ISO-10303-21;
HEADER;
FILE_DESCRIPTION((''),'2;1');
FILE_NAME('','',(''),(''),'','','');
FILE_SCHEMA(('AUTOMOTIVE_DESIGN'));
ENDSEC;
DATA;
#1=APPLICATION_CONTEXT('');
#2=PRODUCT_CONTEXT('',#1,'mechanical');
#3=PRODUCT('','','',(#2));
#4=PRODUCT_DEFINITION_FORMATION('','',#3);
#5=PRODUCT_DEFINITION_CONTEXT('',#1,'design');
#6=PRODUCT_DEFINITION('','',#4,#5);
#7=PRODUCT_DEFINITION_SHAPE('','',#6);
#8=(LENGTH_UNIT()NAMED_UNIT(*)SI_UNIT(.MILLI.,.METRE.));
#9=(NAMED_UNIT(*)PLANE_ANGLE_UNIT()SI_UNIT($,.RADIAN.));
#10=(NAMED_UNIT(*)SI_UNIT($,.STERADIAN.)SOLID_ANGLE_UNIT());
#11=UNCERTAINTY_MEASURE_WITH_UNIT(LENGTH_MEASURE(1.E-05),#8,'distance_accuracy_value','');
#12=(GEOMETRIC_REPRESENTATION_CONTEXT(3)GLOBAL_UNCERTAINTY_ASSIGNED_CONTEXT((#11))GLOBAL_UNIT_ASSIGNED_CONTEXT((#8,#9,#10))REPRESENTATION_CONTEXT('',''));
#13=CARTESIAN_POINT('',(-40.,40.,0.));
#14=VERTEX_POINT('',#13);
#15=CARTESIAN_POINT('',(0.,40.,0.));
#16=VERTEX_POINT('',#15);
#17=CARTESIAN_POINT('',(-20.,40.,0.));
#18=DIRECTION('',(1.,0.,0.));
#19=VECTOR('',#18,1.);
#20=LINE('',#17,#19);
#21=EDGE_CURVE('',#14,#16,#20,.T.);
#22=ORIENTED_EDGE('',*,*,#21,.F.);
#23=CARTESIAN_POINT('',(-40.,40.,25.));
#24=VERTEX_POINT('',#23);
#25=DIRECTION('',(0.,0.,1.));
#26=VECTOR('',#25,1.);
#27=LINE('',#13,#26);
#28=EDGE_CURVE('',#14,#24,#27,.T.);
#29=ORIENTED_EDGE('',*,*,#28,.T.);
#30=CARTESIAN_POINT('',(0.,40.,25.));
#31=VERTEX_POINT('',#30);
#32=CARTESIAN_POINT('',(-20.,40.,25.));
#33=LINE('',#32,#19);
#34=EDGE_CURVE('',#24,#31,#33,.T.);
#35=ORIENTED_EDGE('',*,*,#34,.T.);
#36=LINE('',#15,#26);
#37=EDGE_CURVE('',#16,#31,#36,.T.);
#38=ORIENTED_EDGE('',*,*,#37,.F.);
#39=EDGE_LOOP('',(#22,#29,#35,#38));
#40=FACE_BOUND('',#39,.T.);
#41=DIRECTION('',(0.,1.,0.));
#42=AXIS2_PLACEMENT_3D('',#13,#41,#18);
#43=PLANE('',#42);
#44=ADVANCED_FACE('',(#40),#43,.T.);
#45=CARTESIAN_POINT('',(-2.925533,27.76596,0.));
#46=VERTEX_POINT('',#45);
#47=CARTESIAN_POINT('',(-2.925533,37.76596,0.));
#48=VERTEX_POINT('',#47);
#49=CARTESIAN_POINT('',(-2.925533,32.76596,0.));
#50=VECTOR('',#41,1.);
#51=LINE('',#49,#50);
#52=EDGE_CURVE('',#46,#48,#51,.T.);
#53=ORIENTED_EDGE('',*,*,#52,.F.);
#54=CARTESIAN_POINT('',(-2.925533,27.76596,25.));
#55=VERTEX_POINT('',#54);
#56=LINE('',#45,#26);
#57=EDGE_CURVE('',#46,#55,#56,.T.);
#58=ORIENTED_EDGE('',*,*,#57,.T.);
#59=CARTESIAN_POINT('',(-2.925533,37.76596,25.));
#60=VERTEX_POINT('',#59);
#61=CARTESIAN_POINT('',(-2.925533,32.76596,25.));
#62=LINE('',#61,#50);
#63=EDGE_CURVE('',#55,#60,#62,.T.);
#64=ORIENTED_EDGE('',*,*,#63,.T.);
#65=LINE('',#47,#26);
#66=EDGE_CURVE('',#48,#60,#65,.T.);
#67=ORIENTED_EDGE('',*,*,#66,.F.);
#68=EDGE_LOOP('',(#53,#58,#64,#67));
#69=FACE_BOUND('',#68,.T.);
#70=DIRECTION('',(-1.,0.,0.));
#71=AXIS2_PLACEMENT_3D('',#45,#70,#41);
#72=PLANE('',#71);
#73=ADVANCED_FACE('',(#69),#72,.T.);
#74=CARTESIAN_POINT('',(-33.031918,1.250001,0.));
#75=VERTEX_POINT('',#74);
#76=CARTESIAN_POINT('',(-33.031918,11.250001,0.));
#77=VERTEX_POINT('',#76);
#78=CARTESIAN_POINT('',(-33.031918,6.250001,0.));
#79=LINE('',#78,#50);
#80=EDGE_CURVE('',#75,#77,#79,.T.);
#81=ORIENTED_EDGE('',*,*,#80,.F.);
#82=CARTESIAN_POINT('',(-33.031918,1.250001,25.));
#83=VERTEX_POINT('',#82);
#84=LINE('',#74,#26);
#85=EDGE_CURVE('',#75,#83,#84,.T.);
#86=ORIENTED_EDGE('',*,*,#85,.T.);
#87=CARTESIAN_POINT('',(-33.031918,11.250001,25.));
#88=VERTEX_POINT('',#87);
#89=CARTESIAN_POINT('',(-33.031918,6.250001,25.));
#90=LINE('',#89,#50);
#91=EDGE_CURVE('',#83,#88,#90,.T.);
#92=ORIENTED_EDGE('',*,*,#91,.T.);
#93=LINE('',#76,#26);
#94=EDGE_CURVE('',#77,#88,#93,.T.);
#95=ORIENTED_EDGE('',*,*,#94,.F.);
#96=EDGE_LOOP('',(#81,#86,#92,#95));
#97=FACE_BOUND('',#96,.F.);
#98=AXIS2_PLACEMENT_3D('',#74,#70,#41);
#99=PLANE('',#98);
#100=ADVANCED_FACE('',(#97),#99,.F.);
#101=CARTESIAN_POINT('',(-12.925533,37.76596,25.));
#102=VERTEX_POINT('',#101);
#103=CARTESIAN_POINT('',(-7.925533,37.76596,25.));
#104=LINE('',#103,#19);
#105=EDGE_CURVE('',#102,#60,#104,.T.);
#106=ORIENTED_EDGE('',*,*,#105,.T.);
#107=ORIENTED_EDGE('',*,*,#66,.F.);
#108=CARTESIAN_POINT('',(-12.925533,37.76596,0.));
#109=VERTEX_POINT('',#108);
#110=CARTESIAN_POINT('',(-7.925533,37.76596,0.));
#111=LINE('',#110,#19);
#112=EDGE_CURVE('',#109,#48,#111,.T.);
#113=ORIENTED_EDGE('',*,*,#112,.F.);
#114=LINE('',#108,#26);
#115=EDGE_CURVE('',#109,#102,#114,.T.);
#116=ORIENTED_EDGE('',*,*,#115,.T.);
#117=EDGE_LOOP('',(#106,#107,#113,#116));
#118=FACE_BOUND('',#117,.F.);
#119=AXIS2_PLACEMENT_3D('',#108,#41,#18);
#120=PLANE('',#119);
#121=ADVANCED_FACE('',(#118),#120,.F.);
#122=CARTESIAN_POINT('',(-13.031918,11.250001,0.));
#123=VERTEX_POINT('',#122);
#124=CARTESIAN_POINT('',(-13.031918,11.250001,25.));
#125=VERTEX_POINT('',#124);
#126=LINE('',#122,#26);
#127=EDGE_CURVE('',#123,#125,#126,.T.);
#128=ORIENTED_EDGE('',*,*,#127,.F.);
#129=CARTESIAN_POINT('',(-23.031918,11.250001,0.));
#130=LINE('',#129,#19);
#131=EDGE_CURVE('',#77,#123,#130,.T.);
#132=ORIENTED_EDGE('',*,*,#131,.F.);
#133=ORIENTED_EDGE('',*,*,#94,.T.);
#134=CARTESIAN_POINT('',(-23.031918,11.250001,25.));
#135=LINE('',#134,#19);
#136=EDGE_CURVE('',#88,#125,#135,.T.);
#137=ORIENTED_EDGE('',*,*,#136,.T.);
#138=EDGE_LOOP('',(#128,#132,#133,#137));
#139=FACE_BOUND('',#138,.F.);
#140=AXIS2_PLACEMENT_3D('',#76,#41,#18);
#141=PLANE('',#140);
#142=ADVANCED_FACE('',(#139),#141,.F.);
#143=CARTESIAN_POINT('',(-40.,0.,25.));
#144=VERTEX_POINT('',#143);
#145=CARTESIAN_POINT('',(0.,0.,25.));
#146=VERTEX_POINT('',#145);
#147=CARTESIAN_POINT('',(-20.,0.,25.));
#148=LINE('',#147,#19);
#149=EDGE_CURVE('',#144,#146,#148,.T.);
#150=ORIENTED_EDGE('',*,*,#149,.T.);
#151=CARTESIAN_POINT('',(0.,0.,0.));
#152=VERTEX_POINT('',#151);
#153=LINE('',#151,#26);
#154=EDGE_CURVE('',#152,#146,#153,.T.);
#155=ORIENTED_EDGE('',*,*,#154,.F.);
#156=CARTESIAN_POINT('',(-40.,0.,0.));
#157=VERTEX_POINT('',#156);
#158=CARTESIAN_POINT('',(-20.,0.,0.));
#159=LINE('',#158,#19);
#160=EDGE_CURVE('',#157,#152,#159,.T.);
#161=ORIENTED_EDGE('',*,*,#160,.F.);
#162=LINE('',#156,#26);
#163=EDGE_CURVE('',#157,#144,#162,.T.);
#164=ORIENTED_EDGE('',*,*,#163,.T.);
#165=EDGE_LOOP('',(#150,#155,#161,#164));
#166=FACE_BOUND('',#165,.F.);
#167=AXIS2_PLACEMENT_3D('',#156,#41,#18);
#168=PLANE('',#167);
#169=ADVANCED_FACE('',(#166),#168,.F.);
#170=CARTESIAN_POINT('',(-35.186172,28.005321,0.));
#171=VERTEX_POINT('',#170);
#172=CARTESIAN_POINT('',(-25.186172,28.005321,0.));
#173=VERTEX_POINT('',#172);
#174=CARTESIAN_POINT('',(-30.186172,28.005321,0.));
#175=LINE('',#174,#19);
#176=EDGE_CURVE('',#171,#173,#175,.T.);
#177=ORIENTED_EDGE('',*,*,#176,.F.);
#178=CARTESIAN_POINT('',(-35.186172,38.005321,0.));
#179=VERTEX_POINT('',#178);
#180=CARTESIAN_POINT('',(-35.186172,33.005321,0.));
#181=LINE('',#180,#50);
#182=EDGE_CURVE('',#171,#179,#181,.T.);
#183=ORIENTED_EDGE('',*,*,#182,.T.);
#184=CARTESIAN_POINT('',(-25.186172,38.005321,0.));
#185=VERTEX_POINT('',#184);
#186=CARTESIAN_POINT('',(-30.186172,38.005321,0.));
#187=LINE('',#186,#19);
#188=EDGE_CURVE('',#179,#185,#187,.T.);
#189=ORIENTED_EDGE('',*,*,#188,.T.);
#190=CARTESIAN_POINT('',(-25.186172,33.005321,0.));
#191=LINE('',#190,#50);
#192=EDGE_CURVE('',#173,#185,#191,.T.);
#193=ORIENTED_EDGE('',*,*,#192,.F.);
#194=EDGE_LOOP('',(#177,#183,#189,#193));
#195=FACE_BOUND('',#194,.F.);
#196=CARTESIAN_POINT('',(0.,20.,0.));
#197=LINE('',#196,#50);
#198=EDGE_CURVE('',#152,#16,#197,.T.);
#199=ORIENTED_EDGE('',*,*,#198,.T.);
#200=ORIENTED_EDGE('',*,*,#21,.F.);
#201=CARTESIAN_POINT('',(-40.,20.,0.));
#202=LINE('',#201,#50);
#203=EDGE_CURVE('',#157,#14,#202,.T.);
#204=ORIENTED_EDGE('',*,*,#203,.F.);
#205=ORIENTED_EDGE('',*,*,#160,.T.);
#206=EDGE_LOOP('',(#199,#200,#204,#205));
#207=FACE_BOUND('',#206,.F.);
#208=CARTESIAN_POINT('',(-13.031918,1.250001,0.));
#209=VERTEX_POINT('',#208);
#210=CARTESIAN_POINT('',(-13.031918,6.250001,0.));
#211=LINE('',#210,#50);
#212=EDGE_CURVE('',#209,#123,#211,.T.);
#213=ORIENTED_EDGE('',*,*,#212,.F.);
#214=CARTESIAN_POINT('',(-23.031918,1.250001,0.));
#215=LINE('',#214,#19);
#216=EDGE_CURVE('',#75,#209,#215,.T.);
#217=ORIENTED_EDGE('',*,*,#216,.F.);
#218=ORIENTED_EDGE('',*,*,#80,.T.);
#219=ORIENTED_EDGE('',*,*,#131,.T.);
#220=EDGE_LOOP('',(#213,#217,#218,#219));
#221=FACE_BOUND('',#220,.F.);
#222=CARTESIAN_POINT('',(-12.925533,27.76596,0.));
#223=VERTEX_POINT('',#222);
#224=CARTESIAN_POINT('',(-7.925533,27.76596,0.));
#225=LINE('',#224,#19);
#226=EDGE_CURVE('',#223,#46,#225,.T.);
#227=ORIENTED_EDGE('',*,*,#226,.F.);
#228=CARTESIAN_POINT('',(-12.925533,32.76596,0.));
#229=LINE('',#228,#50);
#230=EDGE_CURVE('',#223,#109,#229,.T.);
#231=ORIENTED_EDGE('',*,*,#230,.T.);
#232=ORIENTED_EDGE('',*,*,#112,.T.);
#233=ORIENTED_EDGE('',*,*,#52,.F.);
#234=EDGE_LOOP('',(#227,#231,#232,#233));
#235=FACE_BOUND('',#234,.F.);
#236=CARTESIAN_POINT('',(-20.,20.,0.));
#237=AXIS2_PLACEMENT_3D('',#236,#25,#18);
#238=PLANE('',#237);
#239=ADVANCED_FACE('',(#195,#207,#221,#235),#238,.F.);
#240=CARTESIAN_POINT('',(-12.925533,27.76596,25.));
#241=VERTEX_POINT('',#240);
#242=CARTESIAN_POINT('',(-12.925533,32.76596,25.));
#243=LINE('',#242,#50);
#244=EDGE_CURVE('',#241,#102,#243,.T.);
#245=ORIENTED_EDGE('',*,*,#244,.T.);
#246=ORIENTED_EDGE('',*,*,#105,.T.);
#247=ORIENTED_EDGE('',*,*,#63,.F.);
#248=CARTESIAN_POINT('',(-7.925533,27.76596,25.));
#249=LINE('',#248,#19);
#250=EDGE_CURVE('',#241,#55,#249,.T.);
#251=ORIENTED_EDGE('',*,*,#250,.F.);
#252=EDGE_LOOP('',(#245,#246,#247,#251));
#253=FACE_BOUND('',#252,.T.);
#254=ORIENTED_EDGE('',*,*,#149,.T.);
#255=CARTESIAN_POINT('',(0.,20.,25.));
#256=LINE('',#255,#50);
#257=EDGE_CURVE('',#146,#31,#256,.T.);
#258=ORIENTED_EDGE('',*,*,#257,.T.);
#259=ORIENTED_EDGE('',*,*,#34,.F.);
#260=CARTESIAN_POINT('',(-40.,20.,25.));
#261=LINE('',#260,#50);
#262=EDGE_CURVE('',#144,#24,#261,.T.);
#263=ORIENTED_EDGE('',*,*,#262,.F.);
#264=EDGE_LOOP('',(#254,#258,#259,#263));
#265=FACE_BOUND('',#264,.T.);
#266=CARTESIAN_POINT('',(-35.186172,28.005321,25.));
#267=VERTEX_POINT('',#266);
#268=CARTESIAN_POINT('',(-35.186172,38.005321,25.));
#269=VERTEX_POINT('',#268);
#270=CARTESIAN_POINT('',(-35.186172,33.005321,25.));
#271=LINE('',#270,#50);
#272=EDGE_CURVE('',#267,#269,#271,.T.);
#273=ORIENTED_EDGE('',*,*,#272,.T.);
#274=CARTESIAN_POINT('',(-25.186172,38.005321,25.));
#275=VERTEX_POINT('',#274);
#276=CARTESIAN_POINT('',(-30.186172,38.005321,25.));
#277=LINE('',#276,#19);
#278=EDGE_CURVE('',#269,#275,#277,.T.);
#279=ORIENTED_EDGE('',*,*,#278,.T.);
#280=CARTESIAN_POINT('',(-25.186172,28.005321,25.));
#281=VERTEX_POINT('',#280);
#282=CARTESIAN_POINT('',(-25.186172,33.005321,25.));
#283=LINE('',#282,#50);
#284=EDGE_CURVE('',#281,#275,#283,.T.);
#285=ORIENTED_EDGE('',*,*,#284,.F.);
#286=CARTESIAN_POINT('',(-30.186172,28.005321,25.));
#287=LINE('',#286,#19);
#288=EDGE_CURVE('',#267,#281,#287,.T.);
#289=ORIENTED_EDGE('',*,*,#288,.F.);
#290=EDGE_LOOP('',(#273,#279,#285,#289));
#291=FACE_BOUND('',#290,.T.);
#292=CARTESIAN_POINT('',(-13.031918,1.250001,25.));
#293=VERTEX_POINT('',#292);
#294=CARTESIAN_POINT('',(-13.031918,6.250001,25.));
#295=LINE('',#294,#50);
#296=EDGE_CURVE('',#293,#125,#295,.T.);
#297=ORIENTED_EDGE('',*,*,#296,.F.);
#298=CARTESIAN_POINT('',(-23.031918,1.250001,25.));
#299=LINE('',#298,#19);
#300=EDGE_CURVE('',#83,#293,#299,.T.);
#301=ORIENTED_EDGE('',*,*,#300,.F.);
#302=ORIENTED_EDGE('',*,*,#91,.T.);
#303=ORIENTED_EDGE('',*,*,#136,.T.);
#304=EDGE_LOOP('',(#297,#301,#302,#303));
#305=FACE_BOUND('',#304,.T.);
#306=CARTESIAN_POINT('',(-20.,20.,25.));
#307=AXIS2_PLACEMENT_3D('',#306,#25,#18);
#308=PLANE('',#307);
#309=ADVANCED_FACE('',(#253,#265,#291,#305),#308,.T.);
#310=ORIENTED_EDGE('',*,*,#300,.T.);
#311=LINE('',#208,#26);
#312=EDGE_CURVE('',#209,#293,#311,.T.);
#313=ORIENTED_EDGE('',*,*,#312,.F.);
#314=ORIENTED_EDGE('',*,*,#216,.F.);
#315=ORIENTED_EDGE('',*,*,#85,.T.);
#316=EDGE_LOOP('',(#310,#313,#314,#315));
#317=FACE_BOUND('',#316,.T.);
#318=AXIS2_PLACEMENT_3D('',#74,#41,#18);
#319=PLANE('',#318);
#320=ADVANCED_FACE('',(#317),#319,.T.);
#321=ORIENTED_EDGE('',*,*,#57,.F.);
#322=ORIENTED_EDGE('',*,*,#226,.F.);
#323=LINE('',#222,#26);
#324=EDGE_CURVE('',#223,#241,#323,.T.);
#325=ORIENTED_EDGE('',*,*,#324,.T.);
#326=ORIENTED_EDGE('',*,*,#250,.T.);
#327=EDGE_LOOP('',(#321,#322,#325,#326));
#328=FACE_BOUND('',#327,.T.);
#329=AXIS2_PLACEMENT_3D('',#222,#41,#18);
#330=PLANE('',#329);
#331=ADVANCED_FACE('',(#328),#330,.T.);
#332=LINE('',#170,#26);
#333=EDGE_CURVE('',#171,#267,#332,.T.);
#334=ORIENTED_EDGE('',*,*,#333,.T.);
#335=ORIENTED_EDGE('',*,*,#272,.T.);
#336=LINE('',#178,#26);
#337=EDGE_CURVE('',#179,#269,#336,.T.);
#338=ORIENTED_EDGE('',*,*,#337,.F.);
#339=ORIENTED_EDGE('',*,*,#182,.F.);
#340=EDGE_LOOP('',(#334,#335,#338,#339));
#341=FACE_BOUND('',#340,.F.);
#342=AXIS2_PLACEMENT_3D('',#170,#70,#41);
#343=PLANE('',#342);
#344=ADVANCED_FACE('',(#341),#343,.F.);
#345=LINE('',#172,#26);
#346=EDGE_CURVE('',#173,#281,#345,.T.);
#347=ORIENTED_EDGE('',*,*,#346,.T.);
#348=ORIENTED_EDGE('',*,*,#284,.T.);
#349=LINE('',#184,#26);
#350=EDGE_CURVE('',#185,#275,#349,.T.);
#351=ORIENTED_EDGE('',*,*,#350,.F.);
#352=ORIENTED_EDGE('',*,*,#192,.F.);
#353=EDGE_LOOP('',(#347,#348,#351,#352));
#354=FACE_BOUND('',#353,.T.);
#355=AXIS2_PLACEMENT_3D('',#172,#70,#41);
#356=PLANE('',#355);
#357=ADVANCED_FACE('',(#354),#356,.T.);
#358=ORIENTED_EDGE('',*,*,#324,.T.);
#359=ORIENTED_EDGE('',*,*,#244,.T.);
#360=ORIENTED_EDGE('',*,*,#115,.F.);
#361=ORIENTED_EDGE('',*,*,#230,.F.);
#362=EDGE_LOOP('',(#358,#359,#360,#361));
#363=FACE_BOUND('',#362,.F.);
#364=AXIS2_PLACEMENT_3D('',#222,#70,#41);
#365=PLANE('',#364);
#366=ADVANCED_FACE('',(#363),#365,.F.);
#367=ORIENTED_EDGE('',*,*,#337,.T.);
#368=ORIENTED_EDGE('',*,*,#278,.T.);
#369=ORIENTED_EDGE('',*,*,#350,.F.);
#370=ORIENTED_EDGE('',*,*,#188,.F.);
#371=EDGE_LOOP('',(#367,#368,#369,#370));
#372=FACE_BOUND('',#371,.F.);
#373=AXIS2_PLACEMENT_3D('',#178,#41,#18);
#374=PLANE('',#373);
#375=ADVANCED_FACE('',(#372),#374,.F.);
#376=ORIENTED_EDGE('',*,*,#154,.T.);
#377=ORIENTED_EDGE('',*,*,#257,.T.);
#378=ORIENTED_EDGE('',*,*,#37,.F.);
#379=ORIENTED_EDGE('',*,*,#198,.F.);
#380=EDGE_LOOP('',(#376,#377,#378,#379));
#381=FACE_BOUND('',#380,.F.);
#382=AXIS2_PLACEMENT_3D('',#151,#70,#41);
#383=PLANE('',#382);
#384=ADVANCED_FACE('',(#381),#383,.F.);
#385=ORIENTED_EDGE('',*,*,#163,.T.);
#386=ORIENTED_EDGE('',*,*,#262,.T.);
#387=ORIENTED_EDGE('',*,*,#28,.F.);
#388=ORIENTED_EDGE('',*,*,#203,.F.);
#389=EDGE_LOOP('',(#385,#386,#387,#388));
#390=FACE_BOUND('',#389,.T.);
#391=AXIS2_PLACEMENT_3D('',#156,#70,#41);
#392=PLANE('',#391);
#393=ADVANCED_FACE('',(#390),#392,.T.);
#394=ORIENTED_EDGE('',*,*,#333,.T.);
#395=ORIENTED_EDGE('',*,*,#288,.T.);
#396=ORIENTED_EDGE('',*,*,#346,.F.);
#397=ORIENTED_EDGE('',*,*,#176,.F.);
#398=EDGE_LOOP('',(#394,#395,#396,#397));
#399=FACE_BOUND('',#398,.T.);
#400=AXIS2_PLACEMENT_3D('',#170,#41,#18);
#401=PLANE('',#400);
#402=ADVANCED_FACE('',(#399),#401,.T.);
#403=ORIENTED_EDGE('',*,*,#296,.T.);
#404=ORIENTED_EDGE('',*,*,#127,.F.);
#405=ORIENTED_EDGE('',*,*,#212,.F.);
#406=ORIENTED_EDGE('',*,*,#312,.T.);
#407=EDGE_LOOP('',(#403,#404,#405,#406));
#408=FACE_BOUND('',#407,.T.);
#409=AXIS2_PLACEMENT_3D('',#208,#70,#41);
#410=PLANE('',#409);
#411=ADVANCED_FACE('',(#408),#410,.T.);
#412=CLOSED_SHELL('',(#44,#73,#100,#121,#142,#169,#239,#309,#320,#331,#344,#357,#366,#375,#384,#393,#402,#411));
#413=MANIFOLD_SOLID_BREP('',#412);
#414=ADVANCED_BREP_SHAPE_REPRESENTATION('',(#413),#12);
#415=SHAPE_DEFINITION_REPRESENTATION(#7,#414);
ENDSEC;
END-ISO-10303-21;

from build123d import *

# Parameters (mm, degrees)
F0_W     = 40
F0_H     = 40
F0_W_2   = 20
F0_H_2   = 10
F0_W_3   = 10
F1_DEPTH = 25


with BuildPart() as f1:
    # F0 (on Top) → F1 (new body)
    with BuildSketch(Plane.XY):
        with Locations((-20, 20)):
            Rectangle(F0_W, F0_H)
        with Locations((-23.031918, 6.250001)):
            Rectangle(F0_W_2, F0_H_2, mode=Mode.SUBTRACT)
        with Locations((-30.186172, 33.005321)):
            Rectangle(F0_W_3, F0_H_2, mode=Mode.SUBTRACT)
        with Locations((-7.925533, 32.76596)):
            Rectangle(F0_W_3, F0_H_2, mode=Mode.SUBTRACT)
    extrude(amount=F1_DEPTH)


solid = f1.part
